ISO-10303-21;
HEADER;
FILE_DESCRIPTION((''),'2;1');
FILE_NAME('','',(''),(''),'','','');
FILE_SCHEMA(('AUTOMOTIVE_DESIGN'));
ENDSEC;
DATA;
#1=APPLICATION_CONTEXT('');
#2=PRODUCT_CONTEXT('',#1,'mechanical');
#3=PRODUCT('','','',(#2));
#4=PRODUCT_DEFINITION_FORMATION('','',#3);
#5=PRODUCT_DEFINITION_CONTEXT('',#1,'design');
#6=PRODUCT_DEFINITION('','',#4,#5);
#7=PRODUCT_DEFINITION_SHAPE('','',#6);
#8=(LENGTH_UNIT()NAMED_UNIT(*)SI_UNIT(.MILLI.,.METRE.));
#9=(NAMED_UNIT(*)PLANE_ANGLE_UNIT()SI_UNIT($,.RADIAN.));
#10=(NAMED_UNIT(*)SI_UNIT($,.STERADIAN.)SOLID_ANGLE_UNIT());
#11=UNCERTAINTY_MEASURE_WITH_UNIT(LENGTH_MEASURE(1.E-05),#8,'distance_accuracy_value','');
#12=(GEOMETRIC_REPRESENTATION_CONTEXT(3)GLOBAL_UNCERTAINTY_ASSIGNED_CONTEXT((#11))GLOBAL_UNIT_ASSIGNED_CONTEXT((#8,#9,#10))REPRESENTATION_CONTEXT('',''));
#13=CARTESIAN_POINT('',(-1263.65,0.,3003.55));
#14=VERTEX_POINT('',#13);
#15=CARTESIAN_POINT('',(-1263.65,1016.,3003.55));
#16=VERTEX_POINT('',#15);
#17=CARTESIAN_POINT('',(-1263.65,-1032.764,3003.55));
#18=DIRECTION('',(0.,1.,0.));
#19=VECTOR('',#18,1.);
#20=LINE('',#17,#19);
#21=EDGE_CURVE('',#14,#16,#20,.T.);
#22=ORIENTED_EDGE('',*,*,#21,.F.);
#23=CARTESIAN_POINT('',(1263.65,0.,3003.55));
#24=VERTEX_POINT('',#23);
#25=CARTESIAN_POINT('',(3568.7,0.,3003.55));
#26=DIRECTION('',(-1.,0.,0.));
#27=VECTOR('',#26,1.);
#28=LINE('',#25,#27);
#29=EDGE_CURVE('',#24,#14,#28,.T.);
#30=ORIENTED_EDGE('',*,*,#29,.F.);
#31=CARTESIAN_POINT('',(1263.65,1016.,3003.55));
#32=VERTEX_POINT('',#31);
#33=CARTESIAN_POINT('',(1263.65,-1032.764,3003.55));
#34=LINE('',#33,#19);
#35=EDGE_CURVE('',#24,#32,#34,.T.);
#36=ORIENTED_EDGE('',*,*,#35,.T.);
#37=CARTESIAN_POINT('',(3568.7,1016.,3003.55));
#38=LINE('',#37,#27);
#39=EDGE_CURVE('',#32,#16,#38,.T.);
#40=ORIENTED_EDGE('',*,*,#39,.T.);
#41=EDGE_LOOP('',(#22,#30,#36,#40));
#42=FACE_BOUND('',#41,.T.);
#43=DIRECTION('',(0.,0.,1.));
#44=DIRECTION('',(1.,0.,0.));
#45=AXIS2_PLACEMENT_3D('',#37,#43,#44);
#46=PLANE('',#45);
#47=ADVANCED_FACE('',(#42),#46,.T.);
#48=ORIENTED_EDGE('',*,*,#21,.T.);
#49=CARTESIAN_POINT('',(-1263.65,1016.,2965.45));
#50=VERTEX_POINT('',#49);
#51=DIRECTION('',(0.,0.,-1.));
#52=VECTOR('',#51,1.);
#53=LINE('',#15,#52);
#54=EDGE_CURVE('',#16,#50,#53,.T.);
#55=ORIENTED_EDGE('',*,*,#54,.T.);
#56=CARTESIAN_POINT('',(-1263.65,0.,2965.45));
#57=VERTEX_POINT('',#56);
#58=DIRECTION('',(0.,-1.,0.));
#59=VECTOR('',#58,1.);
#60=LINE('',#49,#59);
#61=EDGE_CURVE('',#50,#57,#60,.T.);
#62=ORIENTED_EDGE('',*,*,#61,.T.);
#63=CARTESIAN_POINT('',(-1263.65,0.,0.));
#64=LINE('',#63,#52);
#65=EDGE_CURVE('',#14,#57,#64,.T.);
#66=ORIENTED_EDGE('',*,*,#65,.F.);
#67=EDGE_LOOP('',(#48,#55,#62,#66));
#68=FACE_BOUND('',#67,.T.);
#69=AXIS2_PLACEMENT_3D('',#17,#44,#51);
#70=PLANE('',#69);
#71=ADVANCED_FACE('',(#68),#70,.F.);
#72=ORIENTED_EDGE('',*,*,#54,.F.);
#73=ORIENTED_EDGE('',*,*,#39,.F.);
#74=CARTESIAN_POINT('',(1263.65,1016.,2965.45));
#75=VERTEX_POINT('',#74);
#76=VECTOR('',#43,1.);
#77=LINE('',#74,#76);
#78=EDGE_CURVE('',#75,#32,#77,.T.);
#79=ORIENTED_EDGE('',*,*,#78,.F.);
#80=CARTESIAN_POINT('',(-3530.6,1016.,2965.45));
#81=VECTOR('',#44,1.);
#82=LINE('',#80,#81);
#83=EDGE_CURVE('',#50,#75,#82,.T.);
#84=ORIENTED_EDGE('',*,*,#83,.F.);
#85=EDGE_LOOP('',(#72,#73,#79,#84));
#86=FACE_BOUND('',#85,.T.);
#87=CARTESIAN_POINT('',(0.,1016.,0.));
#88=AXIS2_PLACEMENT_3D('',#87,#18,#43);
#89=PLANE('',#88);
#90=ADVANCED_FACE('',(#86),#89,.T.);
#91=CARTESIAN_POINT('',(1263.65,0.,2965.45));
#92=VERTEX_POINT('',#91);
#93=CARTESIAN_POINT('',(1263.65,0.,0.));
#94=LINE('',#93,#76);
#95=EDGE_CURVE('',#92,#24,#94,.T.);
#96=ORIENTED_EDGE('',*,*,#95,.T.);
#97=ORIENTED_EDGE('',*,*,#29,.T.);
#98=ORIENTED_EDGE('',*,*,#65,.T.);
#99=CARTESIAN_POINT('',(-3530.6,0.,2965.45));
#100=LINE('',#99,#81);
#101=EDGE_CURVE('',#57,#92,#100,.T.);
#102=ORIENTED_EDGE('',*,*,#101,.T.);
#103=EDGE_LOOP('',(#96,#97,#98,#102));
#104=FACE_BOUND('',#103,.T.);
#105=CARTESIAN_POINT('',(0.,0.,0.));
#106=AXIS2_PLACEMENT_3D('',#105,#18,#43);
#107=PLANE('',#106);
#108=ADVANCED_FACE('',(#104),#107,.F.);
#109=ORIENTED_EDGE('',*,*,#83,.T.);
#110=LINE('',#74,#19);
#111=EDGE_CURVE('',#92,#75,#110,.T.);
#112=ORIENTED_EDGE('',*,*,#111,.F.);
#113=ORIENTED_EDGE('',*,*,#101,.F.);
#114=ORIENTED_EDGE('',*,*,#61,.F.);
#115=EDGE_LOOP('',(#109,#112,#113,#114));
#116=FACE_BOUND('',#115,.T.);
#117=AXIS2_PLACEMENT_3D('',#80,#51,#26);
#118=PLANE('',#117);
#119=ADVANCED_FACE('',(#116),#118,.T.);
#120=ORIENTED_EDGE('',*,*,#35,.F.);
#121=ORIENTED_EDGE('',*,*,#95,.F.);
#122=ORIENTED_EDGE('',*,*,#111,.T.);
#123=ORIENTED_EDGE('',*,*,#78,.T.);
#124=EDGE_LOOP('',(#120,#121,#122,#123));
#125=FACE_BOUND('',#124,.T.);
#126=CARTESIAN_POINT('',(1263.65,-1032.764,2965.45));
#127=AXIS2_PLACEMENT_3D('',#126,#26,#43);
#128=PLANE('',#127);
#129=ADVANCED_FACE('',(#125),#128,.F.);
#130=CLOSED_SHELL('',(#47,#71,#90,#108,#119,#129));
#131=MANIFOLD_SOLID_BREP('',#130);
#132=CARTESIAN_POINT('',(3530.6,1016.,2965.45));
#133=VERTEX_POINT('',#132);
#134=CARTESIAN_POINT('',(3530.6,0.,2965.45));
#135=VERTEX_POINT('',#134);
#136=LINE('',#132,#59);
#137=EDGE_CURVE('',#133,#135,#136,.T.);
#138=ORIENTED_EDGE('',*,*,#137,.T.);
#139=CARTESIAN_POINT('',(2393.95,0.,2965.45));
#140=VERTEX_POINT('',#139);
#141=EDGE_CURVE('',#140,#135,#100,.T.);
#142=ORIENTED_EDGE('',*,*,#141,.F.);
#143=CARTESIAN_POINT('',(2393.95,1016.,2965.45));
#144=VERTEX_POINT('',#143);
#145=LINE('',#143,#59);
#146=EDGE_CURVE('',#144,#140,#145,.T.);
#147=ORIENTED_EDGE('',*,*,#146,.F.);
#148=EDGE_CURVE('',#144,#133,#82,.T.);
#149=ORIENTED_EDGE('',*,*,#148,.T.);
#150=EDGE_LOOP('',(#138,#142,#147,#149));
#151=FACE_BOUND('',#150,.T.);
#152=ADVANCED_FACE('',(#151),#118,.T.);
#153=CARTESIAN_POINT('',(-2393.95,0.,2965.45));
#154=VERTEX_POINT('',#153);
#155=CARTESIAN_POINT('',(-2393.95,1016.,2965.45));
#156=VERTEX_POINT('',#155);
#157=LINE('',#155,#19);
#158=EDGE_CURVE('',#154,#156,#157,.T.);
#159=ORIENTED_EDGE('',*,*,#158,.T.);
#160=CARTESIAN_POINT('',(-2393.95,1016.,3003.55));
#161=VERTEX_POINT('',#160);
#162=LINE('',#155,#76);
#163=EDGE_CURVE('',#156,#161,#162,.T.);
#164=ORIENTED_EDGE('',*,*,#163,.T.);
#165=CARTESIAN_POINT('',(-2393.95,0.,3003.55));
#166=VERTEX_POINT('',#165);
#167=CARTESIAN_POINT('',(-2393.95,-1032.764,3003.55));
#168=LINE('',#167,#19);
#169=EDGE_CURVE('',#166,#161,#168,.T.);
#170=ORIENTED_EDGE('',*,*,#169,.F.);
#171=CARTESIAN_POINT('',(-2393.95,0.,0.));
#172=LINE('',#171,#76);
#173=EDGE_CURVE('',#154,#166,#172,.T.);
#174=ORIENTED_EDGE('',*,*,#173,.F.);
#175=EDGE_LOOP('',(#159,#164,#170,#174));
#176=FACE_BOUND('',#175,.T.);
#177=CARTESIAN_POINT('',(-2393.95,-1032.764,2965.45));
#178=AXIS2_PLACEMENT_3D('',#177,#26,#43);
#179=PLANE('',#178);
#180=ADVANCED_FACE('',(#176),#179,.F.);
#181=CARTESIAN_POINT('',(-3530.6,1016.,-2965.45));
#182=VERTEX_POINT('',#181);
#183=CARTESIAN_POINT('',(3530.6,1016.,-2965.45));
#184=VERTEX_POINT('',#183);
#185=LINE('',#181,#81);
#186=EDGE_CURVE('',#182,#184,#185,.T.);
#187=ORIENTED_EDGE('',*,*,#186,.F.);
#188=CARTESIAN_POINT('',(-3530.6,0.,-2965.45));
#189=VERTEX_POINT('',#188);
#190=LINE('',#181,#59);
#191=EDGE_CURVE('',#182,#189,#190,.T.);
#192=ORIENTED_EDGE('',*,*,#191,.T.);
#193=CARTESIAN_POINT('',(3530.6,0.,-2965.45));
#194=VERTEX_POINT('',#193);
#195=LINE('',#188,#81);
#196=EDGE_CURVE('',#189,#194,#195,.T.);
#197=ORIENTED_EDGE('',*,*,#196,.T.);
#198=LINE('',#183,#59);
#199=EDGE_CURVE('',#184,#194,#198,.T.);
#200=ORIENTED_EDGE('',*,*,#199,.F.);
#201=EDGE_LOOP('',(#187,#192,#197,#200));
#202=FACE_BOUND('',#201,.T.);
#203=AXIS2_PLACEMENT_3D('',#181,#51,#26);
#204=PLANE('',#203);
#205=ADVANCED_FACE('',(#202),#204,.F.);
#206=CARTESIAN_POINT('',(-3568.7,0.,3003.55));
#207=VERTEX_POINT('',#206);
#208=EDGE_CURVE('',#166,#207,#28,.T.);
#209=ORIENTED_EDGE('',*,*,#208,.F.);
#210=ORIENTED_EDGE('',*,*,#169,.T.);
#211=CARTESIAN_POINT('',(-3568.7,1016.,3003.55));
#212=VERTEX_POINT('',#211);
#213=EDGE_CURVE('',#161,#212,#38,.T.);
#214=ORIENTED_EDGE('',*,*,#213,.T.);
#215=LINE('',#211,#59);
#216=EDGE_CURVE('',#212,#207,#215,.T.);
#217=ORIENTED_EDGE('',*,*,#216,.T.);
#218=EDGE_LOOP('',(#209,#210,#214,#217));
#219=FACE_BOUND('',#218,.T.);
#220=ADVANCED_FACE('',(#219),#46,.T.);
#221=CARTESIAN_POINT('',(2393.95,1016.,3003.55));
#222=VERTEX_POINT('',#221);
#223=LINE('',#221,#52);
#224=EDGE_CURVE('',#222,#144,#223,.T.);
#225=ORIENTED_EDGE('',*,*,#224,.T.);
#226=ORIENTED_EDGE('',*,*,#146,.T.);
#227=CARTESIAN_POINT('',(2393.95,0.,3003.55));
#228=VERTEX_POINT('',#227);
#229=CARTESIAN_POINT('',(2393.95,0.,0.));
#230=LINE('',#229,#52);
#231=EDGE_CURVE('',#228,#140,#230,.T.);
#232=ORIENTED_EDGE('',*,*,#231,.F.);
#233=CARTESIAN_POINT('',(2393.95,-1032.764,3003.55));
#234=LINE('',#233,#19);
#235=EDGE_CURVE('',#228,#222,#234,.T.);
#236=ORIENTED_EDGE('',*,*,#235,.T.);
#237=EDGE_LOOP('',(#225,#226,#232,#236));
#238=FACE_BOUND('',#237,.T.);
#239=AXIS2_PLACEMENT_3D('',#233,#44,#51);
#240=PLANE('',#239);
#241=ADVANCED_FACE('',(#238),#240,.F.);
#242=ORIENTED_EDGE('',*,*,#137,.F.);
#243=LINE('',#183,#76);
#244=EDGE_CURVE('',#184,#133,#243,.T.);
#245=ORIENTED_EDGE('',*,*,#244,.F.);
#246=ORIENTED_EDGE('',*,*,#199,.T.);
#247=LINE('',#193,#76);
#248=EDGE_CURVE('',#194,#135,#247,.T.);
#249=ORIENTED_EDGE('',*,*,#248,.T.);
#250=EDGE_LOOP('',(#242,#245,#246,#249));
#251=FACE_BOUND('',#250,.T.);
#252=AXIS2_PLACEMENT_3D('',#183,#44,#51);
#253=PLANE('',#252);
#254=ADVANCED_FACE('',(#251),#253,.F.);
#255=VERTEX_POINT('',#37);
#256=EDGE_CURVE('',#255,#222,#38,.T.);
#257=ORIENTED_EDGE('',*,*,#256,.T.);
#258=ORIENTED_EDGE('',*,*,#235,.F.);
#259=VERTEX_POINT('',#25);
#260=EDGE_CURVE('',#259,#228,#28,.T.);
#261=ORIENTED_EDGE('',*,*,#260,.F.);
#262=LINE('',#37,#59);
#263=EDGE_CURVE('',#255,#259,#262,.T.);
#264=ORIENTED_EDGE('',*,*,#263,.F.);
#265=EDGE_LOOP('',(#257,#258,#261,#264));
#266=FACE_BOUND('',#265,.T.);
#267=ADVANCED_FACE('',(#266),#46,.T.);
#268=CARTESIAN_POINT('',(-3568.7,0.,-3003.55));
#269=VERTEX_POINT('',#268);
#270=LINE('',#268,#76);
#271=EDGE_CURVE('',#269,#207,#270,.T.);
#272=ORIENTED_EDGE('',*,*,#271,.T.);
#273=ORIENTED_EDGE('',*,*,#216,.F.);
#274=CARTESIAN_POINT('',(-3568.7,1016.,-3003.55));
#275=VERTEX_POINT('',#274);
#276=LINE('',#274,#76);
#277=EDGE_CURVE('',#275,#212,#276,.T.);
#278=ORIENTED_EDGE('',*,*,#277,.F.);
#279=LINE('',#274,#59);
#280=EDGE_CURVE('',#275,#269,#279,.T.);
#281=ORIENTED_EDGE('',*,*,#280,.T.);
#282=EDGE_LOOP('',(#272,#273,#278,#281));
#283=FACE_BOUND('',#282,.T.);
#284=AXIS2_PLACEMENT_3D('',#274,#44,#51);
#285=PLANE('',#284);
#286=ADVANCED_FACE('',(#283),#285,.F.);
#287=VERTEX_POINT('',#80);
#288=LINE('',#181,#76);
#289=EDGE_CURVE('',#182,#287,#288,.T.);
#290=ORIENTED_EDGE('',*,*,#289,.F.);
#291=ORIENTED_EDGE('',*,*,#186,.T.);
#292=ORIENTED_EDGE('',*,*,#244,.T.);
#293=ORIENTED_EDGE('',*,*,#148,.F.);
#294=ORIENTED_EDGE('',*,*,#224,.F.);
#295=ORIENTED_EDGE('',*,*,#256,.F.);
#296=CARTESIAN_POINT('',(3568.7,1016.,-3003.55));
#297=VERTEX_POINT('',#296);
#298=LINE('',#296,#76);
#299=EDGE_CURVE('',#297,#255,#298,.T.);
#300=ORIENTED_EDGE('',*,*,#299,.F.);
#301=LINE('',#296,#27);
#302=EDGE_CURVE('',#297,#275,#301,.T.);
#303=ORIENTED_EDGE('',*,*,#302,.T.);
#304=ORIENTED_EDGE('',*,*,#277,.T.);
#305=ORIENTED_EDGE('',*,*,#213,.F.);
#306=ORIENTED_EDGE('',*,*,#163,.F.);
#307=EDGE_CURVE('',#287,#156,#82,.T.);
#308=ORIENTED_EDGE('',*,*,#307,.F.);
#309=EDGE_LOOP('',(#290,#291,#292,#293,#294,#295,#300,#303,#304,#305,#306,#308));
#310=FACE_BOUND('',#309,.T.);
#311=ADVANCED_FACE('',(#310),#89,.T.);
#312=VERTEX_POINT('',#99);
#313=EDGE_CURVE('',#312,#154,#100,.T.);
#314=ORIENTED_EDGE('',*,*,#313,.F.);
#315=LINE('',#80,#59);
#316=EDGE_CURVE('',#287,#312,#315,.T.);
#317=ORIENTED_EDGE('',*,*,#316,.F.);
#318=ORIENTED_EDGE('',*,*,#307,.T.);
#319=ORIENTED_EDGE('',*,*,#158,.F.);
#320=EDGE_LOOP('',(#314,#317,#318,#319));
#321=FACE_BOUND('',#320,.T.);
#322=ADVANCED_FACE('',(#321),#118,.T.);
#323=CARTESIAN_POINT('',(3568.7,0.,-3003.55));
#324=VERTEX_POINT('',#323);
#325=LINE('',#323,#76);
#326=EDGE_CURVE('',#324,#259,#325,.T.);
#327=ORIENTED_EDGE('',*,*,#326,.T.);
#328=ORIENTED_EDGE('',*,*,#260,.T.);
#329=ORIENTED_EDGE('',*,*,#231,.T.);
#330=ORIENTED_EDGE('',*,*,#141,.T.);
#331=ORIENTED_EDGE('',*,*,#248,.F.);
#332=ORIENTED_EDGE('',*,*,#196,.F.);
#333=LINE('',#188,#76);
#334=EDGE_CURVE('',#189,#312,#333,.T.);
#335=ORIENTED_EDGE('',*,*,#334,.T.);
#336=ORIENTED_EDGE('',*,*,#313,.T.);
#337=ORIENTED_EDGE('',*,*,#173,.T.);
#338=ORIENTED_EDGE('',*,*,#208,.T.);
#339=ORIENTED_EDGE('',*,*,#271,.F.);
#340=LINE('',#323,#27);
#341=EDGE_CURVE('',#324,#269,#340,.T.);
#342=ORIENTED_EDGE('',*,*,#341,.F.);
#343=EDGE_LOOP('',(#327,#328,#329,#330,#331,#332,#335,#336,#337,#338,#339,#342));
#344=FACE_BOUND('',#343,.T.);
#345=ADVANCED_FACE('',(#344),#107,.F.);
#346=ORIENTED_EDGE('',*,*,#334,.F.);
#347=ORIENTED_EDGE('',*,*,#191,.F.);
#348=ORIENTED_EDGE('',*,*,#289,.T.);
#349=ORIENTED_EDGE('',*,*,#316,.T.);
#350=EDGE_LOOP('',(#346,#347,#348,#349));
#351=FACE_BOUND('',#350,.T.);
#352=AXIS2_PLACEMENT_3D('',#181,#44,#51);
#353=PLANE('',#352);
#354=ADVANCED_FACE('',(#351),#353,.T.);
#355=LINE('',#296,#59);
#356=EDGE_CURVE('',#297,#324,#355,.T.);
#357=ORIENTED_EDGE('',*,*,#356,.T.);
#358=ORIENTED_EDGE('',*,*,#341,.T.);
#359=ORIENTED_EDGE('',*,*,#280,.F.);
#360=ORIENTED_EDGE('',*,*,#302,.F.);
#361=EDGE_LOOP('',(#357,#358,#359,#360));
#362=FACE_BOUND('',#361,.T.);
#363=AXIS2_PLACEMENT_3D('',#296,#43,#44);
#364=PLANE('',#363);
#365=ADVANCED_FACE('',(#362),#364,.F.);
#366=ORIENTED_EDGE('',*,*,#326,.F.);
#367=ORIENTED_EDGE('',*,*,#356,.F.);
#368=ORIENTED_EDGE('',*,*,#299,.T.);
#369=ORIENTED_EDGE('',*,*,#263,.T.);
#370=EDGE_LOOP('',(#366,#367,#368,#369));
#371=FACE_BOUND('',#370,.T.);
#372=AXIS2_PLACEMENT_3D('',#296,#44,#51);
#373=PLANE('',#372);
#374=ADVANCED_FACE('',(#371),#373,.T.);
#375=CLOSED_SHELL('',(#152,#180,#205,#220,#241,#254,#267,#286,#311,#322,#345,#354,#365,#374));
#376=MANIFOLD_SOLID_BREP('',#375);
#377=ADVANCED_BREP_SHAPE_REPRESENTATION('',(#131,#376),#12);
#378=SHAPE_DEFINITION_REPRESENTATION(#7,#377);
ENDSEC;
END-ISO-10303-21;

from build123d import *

# Parameters (mm, degrees)
SKETCH1_W           = 7137.4
SKETCH1_H           = 6007.1
SKETCH1_W_2         = 7061.2
SKETCH1_H_2         = 5930.9
BOSS_EXTRUDE1_DEPTH = 1016
SKETCH2_W           = 1130.3
SKETCH2_H           = 38.1
CUT_EXTRUDE1_DEPTH  = 2048.764


with BuildPart() as part:
    # Sketch1 → Boss-Extrude1 (new body)
    with BuildSketch(Plane(origin=(0, 0, 0), x_dir=(1, 0, 0), z_dir=(0, 1, 0))):
        Rectangle(SKETCH1_W, SKETCH1_H)
        Rectangle(SKETCH1_W_2, SKETCH1_H_2, mode=Mode.SUBTRACT)
    extrude(amount=BOSS_EXTRUDE1_DEPTH)

    # Sketch2 → Cut-Extrude1 (cut)
    with BuildSketch(Plane(origin=(0, 1016, 0), x_dir=(1, 0, 0), z_dir=(0, 1, 0))):
        with Locations((-1828.8, -2984.5)):
            Rectangle(SKETCH2_W, SKETCH2_H)
        with Locations((1828.8, -2984.5)):
            Rectangle(SKETCH2_W, SKETCH2_H)
    extrude(amount=-CUT_EXTRUDE1_DEPTH, mode=Mode.SUBTRACT)


solid = part.part
